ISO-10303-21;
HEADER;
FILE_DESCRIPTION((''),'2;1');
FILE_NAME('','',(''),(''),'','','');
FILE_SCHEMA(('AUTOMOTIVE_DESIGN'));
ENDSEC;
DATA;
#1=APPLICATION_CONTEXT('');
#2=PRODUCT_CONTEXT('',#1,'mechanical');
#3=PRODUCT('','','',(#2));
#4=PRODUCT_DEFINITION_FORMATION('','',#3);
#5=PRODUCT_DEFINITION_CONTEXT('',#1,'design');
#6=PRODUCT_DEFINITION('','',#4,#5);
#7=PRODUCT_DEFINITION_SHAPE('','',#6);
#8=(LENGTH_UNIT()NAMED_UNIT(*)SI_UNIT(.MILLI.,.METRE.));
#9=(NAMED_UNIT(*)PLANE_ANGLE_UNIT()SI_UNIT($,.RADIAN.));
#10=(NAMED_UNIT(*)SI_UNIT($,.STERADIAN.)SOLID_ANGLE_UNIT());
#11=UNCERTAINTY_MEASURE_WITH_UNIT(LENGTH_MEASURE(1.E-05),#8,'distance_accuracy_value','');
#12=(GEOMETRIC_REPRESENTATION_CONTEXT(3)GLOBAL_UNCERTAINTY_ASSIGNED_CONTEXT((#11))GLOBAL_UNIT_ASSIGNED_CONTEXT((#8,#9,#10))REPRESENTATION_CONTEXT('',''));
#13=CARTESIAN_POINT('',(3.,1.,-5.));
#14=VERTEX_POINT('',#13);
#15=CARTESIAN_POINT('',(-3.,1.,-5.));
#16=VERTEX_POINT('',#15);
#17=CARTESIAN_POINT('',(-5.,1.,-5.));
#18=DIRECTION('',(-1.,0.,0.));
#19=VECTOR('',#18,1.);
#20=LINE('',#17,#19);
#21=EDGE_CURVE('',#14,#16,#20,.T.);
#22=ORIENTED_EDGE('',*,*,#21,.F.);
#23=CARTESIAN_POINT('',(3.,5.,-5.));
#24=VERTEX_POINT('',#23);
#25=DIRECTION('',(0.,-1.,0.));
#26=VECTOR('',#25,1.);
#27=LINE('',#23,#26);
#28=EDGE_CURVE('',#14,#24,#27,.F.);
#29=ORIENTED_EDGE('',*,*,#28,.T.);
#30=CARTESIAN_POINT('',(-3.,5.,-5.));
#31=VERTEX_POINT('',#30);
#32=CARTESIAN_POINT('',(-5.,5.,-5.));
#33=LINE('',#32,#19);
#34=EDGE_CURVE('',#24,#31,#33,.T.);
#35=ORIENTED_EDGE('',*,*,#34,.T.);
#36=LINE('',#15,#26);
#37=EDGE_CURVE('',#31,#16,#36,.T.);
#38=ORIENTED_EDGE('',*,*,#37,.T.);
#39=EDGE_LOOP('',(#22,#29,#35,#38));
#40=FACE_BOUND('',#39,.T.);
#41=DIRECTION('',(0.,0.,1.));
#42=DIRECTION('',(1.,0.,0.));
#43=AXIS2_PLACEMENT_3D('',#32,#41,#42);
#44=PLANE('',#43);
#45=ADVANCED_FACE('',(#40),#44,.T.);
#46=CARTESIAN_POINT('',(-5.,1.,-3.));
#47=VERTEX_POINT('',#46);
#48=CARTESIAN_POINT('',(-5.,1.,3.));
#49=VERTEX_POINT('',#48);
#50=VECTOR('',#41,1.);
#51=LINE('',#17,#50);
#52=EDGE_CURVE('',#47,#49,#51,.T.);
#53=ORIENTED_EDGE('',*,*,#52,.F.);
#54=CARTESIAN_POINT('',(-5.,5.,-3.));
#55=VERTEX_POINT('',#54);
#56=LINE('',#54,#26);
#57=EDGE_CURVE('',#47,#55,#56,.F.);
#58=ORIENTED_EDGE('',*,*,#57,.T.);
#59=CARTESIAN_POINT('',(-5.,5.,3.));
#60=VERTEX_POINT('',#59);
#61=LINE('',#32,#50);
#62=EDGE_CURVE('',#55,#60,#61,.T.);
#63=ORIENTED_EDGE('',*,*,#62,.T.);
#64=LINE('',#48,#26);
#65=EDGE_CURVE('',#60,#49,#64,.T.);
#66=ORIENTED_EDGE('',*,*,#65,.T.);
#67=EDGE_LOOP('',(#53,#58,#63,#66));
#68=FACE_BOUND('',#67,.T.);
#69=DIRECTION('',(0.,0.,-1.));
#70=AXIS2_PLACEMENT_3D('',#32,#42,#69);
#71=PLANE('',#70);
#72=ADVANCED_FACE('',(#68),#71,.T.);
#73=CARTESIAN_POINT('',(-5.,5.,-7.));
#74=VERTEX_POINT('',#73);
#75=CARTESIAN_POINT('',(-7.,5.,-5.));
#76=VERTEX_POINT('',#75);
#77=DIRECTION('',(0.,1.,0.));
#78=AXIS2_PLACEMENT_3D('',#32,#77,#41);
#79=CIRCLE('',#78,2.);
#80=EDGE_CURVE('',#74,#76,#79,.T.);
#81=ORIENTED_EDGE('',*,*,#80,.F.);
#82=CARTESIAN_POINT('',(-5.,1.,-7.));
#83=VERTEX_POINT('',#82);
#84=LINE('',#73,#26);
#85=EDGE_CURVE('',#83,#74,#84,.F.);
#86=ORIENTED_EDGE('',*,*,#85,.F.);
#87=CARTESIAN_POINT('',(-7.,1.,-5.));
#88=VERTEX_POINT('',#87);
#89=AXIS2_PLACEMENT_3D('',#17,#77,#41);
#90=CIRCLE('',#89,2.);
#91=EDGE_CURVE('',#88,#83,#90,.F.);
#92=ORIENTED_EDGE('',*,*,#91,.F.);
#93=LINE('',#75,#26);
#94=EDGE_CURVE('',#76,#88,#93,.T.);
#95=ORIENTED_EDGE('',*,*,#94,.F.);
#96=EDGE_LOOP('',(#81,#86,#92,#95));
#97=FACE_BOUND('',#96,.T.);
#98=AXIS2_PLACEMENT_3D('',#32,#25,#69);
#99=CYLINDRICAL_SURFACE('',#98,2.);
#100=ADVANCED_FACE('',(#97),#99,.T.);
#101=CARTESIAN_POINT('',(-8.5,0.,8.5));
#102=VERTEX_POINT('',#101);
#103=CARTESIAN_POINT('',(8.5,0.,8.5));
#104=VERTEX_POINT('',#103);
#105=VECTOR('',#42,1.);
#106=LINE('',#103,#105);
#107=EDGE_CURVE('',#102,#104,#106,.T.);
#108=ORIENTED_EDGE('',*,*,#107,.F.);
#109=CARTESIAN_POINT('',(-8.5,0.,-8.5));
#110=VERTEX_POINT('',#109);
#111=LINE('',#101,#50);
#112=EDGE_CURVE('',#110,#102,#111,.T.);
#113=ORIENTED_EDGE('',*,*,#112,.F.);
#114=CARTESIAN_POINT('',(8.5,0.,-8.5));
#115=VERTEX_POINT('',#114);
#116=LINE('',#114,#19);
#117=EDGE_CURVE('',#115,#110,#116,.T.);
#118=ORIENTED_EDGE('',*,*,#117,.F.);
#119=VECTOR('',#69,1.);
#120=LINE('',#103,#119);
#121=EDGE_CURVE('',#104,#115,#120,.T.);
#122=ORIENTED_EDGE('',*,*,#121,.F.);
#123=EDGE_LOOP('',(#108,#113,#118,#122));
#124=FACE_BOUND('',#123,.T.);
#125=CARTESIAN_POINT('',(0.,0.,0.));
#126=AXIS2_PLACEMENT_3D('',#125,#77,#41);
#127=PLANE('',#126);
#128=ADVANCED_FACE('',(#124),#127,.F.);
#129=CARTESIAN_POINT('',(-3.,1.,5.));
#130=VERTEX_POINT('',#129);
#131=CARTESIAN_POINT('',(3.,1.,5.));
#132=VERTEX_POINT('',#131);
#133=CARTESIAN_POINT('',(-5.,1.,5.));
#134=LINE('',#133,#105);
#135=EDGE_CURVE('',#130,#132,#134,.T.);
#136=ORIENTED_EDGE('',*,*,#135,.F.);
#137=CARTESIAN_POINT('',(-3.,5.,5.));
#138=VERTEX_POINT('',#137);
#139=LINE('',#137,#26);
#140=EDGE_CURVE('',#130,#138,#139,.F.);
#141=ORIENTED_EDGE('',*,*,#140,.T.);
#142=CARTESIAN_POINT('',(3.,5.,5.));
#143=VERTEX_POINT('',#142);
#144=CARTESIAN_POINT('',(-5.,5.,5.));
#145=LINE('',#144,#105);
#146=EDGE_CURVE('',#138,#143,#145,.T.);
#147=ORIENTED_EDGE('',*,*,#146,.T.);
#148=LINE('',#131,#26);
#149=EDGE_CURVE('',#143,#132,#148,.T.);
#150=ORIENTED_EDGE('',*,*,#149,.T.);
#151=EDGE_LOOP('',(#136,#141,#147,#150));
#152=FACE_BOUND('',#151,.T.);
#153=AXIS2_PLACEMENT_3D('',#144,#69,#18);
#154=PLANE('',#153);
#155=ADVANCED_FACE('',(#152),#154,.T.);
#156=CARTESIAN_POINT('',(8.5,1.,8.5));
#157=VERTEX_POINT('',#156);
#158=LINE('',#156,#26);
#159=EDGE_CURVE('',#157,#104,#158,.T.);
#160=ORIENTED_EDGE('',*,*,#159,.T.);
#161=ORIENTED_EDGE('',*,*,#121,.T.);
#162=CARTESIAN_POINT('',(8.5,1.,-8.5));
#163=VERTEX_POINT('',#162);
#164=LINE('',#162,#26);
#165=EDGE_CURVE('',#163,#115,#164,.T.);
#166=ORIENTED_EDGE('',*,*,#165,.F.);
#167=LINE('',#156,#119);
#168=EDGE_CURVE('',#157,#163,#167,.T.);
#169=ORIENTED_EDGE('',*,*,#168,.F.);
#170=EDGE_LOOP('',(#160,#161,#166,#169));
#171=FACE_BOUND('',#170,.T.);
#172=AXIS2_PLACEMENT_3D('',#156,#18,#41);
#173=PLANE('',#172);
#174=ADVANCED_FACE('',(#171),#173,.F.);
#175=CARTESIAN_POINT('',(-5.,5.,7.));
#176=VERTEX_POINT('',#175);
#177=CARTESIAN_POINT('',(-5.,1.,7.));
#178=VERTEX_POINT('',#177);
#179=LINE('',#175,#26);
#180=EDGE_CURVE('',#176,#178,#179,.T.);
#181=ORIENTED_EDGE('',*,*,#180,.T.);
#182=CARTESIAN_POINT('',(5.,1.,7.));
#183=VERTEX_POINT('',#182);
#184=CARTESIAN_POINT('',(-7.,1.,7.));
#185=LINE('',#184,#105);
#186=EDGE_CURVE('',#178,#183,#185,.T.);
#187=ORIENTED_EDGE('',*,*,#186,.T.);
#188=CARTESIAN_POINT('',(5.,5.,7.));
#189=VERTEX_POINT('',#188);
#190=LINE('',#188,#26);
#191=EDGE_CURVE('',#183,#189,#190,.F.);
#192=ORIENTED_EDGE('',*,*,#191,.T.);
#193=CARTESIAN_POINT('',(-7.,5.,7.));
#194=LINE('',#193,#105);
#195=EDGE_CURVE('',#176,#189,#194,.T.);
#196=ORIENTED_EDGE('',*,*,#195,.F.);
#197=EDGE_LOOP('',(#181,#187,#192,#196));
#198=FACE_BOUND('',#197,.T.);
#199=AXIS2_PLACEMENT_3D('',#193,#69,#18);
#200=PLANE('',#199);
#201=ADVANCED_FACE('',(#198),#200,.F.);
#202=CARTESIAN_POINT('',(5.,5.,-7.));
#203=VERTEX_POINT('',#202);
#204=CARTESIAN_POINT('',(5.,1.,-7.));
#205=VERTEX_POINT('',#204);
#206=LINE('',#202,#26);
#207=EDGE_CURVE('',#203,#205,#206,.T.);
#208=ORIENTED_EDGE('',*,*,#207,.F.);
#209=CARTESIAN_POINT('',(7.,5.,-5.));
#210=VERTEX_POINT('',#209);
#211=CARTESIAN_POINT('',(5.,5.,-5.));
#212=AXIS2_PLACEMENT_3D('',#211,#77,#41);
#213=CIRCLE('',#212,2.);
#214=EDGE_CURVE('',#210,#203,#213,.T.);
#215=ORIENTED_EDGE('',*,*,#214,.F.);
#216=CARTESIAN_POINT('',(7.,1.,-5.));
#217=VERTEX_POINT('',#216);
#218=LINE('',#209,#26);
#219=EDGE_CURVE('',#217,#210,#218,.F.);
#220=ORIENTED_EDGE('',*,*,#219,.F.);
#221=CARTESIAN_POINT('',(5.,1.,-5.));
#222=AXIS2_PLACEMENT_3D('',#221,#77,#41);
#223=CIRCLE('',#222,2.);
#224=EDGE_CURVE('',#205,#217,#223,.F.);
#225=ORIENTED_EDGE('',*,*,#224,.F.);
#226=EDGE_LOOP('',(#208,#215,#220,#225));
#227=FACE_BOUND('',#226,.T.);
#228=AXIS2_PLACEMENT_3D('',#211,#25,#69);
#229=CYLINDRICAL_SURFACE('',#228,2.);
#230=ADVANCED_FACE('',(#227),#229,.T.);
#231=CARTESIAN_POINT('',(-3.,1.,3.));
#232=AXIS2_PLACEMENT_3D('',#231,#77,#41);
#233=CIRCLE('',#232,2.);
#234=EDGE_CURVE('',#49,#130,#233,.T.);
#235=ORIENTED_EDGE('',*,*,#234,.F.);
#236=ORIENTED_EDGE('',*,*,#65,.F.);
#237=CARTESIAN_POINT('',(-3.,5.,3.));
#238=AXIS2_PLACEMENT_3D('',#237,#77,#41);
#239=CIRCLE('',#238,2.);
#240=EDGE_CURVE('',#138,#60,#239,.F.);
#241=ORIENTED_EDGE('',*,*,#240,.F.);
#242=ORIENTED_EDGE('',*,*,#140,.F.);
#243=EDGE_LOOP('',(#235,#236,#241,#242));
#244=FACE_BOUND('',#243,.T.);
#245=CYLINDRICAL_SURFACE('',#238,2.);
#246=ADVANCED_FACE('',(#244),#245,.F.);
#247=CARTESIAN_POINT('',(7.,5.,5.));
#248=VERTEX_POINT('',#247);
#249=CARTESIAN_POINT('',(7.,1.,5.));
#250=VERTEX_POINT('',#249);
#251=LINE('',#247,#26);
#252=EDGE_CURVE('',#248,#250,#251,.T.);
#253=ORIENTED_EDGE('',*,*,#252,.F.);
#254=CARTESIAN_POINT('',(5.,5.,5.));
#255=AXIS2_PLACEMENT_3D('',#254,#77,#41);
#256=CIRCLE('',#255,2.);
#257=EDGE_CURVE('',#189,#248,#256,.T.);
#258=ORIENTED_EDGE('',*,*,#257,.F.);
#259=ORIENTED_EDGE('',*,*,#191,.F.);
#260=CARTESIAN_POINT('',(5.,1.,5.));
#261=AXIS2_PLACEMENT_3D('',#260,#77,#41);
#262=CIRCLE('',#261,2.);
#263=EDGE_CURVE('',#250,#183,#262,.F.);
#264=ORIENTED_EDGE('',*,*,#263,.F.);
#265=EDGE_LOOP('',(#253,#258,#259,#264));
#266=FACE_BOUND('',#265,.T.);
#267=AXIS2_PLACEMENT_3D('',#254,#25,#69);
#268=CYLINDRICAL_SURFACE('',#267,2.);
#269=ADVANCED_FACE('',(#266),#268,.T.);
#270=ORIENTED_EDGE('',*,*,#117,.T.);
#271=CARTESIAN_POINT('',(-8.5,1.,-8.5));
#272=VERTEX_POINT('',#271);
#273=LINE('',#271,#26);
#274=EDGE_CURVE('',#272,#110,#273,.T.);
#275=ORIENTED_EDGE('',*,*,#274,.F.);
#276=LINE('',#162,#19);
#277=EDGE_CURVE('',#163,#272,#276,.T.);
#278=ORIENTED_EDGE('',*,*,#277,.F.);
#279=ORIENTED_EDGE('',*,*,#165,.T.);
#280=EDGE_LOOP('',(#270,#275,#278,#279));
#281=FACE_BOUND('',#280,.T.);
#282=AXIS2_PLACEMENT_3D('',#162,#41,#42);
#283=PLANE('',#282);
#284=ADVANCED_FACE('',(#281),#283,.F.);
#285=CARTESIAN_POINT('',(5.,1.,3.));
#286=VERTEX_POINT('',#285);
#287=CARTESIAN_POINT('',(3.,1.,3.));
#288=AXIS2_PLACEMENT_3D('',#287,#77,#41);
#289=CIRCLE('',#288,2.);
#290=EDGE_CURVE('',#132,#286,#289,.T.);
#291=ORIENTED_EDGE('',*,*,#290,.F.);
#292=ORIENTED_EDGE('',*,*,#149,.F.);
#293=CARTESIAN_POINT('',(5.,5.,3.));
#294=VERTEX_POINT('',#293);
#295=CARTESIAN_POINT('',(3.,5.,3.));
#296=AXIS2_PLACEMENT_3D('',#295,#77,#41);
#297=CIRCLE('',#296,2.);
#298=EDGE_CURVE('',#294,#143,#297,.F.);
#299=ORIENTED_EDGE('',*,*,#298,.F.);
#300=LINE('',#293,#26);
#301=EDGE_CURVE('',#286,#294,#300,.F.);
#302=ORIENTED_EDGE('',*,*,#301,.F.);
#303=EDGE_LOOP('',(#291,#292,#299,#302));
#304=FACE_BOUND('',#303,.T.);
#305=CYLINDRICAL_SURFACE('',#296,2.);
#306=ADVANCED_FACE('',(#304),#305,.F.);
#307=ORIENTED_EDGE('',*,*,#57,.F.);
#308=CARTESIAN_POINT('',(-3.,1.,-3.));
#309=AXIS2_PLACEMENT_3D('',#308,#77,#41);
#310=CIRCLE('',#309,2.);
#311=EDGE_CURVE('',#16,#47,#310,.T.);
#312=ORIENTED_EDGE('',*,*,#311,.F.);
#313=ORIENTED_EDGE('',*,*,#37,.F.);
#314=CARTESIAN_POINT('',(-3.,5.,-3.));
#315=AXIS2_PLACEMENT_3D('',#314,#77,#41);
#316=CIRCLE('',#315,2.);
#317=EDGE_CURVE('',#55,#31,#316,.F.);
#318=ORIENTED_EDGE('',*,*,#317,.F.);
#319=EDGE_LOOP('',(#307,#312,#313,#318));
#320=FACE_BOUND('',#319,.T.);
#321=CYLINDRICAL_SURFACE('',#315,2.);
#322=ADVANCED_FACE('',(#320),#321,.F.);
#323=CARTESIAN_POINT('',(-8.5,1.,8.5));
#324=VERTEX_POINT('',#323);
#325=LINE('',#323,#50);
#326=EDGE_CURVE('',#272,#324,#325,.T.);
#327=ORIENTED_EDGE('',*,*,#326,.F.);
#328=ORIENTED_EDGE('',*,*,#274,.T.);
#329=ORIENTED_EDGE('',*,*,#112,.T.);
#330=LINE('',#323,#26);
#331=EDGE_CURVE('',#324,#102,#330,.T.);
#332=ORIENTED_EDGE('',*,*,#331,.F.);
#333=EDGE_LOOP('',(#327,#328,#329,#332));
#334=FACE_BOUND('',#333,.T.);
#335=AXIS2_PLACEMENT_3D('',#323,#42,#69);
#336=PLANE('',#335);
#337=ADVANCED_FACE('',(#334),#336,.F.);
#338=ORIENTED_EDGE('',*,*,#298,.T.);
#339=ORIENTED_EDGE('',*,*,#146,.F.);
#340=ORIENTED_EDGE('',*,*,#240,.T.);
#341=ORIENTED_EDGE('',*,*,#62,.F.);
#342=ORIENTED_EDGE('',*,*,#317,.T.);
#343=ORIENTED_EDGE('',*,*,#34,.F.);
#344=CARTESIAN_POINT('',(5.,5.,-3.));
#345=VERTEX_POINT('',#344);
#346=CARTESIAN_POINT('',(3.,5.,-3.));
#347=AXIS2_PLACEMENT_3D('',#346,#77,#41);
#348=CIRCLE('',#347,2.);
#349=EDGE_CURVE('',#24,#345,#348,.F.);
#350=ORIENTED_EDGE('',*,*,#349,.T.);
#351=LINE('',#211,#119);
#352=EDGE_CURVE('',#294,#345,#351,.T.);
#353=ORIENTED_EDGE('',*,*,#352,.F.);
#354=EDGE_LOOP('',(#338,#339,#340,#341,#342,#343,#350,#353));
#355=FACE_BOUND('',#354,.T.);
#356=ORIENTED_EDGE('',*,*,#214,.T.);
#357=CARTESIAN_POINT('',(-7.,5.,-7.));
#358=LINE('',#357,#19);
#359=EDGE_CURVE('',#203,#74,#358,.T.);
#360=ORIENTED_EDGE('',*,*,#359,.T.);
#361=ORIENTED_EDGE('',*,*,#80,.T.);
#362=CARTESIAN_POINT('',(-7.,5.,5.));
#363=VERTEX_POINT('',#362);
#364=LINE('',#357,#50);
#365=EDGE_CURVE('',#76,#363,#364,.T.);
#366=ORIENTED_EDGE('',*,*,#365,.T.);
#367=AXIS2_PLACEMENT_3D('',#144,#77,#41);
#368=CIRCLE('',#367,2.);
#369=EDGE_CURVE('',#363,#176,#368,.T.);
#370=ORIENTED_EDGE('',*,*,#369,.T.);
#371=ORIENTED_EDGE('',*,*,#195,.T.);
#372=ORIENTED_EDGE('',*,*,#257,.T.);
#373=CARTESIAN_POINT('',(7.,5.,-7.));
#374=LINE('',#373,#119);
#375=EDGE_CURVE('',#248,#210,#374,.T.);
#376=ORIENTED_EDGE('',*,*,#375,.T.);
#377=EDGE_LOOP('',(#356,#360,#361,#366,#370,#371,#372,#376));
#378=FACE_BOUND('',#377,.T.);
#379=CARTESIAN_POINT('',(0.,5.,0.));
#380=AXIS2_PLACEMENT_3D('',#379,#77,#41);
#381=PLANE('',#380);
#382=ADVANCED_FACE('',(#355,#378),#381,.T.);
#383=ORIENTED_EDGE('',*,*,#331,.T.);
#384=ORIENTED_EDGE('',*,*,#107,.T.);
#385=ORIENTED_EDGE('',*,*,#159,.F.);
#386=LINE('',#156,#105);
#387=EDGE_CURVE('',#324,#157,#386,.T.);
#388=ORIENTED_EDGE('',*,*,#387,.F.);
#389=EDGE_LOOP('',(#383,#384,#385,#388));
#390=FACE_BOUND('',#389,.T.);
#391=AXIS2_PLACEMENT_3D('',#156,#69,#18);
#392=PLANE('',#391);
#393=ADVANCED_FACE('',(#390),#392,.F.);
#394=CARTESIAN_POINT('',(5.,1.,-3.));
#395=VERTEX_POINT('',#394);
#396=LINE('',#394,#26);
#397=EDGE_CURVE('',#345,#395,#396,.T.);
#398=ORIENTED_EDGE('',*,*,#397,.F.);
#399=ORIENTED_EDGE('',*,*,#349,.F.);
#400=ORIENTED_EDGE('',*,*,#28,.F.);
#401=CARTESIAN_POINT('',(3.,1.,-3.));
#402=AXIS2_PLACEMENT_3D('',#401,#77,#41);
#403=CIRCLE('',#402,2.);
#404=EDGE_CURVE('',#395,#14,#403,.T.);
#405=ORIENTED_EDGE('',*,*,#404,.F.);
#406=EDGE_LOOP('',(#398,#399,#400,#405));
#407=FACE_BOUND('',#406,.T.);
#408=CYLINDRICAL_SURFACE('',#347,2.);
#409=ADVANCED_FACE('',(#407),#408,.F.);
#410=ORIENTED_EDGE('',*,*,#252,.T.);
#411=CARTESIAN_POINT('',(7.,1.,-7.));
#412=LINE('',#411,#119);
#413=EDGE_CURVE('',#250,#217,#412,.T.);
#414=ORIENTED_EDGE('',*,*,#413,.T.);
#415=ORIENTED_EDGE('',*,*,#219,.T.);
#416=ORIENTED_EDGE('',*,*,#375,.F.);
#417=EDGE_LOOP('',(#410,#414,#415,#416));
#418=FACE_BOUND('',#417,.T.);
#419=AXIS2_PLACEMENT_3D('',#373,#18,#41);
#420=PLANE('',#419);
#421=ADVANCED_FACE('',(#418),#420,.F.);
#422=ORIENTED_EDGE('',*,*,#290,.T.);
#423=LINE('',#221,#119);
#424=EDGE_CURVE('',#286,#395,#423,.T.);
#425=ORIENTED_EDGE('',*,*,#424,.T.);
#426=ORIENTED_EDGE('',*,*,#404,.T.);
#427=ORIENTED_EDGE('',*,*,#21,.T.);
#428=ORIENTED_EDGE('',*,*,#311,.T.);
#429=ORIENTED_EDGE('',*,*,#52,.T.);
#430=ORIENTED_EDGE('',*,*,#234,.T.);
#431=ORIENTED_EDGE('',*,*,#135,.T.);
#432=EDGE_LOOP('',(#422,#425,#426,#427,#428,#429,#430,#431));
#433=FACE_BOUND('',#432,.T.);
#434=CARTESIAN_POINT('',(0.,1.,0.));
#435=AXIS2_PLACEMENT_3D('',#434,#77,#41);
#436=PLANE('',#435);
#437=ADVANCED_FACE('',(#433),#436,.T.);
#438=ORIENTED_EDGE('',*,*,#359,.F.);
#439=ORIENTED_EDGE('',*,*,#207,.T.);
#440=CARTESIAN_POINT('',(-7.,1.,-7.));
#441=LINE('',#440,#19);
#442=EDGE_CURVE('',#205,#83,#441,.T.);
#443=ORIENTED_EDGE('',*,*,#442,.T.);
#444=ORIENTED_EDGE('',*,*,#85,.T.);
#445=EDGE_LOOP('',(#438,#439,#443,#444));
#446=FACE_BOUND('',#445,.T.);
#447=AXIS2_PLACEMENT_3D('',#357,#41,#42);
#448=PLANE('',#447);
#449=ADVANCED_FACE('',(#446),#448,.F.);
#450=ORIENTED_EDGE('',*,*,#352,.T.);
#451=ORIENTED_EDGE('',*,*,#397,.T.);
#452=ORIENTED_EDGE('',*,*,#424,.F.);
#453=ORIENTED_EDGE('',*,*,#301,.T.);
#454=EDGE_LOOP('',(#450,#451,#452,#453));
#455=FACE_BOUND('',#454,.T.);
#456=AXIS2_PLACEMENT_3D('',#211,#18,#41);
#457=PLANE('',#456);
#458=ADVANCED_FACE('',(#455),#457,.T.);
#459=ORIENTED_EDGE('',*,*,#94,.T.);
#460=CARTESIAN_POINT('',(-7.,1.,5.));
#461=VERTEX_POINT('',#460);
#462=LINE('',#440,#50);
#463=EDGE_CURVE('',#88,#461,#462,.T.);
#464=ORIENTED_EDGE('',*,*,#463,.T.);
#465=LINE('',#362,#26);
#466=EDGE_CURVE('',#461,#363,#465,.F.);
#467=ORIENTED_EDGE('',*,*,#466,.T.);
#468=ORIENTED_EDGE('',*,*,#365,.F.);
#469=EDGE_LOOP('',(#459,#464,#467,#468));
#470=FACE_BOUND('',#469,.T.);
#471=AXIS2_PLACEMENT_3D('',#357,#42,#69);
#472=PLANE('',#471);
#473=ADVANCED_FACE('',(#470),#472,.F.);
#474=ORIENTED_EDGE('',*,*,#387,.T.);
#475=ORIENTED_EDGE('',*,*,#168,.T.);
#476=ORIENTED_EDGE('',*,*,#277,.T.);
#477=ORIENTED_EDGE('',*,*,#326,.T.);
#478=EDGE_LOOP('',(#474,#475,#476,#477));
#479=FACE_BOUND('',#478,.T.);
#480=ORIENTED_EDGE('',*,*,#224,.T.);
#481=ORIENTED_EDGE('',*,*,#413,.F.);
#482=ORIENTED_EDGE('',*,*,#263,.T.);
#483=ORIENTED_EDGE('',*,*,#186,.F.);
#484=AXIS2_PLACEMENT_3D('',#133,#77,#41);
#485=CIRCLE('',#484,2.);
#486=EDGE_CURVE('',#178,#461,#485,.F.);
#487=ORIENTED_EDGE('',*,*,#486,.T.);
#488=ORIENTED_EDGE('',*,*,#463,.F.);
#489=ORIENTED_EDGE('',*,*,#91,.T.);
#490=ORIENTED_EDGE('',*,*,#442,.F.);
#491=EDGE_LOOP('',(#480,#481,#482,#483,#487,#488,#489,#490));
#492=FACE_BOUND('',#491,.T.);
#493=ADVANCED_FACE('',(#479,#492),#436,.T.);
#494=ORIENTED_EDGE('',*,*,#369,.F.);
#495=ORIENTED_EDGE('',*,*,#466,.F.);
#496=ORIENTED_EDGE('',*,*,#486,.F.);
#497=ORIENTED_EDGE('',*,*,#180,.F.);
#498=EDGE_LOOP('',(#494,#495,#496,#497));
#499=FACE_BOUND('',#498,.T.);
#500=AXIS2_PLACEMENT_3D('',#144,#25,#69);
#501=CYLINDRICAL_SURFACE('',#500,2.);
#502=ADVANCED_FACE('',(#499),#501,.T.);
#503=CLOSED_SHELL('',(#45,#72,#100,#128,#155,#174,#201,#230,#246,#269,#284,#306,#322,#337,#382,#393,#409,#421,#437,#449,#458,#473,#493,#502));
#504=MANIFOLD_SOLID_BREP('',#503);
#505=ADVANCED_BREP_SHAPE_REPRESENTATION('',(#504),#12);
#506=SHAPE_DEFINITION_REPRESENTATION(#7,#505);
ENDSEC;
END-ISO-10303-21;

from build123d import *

# Parameters (mm, degrees)
SKETCH1_W           = 17
SKETCH1_H           = 17
BOSS_EXTRUDE1_DEPTH = 1
SKETCH2_W           = 14
SKETCH2_H           = 14
SKETCH2_W_2         = 10
SKETCH2_H_2         = 10
BOSS_EXTRUDE2_DEPTH = 4
FILLET1_R           = 2


with BuildPart() as part:
    # Sketch1 → Boss-Extrude1 (new body)
    with BuildSketch(Plane(origin=(0, 0, 0), x_dir=(1, 0, 0), z_dir=(0, 1, 0))):
        Rectangle(SKETCH1_W, SKETCH1_H)
    extrude(amount=BOSS_EXTRUDE1_DEPTH)

    # Sketch2 → Boss-Extrude2 (add)
    with BuildSketch(Plane(origin=(0, 1, 0), x_dir=(1, 0, 0), z_dir=(0, 1, 0))):
        Rectangle(SKETCH2_W, SKETCH2_H)
        Rectangle(SKETCH2_W_2, SKETCH2_H_2, mode=Mode.SUBTRACT)
    extrude(amount=BOSS_EXTRUDE2_DEPTH)

    # Fillet1
    fillet1_edges = [part.edges().sort_by_distance(p)[0] for p in [
        (7, 3, 7),
        (7, 3, -7),
        (-7, 3, -7),
        (-7, 3, 7),
        (-5, 3, -5),
        (-5, 3, 5),
        (5, 3, 5),
        (5, 3, -5),
    ]]
    fillet(fillet1_edges, radius=FILLET1_R)


solid = part.part
